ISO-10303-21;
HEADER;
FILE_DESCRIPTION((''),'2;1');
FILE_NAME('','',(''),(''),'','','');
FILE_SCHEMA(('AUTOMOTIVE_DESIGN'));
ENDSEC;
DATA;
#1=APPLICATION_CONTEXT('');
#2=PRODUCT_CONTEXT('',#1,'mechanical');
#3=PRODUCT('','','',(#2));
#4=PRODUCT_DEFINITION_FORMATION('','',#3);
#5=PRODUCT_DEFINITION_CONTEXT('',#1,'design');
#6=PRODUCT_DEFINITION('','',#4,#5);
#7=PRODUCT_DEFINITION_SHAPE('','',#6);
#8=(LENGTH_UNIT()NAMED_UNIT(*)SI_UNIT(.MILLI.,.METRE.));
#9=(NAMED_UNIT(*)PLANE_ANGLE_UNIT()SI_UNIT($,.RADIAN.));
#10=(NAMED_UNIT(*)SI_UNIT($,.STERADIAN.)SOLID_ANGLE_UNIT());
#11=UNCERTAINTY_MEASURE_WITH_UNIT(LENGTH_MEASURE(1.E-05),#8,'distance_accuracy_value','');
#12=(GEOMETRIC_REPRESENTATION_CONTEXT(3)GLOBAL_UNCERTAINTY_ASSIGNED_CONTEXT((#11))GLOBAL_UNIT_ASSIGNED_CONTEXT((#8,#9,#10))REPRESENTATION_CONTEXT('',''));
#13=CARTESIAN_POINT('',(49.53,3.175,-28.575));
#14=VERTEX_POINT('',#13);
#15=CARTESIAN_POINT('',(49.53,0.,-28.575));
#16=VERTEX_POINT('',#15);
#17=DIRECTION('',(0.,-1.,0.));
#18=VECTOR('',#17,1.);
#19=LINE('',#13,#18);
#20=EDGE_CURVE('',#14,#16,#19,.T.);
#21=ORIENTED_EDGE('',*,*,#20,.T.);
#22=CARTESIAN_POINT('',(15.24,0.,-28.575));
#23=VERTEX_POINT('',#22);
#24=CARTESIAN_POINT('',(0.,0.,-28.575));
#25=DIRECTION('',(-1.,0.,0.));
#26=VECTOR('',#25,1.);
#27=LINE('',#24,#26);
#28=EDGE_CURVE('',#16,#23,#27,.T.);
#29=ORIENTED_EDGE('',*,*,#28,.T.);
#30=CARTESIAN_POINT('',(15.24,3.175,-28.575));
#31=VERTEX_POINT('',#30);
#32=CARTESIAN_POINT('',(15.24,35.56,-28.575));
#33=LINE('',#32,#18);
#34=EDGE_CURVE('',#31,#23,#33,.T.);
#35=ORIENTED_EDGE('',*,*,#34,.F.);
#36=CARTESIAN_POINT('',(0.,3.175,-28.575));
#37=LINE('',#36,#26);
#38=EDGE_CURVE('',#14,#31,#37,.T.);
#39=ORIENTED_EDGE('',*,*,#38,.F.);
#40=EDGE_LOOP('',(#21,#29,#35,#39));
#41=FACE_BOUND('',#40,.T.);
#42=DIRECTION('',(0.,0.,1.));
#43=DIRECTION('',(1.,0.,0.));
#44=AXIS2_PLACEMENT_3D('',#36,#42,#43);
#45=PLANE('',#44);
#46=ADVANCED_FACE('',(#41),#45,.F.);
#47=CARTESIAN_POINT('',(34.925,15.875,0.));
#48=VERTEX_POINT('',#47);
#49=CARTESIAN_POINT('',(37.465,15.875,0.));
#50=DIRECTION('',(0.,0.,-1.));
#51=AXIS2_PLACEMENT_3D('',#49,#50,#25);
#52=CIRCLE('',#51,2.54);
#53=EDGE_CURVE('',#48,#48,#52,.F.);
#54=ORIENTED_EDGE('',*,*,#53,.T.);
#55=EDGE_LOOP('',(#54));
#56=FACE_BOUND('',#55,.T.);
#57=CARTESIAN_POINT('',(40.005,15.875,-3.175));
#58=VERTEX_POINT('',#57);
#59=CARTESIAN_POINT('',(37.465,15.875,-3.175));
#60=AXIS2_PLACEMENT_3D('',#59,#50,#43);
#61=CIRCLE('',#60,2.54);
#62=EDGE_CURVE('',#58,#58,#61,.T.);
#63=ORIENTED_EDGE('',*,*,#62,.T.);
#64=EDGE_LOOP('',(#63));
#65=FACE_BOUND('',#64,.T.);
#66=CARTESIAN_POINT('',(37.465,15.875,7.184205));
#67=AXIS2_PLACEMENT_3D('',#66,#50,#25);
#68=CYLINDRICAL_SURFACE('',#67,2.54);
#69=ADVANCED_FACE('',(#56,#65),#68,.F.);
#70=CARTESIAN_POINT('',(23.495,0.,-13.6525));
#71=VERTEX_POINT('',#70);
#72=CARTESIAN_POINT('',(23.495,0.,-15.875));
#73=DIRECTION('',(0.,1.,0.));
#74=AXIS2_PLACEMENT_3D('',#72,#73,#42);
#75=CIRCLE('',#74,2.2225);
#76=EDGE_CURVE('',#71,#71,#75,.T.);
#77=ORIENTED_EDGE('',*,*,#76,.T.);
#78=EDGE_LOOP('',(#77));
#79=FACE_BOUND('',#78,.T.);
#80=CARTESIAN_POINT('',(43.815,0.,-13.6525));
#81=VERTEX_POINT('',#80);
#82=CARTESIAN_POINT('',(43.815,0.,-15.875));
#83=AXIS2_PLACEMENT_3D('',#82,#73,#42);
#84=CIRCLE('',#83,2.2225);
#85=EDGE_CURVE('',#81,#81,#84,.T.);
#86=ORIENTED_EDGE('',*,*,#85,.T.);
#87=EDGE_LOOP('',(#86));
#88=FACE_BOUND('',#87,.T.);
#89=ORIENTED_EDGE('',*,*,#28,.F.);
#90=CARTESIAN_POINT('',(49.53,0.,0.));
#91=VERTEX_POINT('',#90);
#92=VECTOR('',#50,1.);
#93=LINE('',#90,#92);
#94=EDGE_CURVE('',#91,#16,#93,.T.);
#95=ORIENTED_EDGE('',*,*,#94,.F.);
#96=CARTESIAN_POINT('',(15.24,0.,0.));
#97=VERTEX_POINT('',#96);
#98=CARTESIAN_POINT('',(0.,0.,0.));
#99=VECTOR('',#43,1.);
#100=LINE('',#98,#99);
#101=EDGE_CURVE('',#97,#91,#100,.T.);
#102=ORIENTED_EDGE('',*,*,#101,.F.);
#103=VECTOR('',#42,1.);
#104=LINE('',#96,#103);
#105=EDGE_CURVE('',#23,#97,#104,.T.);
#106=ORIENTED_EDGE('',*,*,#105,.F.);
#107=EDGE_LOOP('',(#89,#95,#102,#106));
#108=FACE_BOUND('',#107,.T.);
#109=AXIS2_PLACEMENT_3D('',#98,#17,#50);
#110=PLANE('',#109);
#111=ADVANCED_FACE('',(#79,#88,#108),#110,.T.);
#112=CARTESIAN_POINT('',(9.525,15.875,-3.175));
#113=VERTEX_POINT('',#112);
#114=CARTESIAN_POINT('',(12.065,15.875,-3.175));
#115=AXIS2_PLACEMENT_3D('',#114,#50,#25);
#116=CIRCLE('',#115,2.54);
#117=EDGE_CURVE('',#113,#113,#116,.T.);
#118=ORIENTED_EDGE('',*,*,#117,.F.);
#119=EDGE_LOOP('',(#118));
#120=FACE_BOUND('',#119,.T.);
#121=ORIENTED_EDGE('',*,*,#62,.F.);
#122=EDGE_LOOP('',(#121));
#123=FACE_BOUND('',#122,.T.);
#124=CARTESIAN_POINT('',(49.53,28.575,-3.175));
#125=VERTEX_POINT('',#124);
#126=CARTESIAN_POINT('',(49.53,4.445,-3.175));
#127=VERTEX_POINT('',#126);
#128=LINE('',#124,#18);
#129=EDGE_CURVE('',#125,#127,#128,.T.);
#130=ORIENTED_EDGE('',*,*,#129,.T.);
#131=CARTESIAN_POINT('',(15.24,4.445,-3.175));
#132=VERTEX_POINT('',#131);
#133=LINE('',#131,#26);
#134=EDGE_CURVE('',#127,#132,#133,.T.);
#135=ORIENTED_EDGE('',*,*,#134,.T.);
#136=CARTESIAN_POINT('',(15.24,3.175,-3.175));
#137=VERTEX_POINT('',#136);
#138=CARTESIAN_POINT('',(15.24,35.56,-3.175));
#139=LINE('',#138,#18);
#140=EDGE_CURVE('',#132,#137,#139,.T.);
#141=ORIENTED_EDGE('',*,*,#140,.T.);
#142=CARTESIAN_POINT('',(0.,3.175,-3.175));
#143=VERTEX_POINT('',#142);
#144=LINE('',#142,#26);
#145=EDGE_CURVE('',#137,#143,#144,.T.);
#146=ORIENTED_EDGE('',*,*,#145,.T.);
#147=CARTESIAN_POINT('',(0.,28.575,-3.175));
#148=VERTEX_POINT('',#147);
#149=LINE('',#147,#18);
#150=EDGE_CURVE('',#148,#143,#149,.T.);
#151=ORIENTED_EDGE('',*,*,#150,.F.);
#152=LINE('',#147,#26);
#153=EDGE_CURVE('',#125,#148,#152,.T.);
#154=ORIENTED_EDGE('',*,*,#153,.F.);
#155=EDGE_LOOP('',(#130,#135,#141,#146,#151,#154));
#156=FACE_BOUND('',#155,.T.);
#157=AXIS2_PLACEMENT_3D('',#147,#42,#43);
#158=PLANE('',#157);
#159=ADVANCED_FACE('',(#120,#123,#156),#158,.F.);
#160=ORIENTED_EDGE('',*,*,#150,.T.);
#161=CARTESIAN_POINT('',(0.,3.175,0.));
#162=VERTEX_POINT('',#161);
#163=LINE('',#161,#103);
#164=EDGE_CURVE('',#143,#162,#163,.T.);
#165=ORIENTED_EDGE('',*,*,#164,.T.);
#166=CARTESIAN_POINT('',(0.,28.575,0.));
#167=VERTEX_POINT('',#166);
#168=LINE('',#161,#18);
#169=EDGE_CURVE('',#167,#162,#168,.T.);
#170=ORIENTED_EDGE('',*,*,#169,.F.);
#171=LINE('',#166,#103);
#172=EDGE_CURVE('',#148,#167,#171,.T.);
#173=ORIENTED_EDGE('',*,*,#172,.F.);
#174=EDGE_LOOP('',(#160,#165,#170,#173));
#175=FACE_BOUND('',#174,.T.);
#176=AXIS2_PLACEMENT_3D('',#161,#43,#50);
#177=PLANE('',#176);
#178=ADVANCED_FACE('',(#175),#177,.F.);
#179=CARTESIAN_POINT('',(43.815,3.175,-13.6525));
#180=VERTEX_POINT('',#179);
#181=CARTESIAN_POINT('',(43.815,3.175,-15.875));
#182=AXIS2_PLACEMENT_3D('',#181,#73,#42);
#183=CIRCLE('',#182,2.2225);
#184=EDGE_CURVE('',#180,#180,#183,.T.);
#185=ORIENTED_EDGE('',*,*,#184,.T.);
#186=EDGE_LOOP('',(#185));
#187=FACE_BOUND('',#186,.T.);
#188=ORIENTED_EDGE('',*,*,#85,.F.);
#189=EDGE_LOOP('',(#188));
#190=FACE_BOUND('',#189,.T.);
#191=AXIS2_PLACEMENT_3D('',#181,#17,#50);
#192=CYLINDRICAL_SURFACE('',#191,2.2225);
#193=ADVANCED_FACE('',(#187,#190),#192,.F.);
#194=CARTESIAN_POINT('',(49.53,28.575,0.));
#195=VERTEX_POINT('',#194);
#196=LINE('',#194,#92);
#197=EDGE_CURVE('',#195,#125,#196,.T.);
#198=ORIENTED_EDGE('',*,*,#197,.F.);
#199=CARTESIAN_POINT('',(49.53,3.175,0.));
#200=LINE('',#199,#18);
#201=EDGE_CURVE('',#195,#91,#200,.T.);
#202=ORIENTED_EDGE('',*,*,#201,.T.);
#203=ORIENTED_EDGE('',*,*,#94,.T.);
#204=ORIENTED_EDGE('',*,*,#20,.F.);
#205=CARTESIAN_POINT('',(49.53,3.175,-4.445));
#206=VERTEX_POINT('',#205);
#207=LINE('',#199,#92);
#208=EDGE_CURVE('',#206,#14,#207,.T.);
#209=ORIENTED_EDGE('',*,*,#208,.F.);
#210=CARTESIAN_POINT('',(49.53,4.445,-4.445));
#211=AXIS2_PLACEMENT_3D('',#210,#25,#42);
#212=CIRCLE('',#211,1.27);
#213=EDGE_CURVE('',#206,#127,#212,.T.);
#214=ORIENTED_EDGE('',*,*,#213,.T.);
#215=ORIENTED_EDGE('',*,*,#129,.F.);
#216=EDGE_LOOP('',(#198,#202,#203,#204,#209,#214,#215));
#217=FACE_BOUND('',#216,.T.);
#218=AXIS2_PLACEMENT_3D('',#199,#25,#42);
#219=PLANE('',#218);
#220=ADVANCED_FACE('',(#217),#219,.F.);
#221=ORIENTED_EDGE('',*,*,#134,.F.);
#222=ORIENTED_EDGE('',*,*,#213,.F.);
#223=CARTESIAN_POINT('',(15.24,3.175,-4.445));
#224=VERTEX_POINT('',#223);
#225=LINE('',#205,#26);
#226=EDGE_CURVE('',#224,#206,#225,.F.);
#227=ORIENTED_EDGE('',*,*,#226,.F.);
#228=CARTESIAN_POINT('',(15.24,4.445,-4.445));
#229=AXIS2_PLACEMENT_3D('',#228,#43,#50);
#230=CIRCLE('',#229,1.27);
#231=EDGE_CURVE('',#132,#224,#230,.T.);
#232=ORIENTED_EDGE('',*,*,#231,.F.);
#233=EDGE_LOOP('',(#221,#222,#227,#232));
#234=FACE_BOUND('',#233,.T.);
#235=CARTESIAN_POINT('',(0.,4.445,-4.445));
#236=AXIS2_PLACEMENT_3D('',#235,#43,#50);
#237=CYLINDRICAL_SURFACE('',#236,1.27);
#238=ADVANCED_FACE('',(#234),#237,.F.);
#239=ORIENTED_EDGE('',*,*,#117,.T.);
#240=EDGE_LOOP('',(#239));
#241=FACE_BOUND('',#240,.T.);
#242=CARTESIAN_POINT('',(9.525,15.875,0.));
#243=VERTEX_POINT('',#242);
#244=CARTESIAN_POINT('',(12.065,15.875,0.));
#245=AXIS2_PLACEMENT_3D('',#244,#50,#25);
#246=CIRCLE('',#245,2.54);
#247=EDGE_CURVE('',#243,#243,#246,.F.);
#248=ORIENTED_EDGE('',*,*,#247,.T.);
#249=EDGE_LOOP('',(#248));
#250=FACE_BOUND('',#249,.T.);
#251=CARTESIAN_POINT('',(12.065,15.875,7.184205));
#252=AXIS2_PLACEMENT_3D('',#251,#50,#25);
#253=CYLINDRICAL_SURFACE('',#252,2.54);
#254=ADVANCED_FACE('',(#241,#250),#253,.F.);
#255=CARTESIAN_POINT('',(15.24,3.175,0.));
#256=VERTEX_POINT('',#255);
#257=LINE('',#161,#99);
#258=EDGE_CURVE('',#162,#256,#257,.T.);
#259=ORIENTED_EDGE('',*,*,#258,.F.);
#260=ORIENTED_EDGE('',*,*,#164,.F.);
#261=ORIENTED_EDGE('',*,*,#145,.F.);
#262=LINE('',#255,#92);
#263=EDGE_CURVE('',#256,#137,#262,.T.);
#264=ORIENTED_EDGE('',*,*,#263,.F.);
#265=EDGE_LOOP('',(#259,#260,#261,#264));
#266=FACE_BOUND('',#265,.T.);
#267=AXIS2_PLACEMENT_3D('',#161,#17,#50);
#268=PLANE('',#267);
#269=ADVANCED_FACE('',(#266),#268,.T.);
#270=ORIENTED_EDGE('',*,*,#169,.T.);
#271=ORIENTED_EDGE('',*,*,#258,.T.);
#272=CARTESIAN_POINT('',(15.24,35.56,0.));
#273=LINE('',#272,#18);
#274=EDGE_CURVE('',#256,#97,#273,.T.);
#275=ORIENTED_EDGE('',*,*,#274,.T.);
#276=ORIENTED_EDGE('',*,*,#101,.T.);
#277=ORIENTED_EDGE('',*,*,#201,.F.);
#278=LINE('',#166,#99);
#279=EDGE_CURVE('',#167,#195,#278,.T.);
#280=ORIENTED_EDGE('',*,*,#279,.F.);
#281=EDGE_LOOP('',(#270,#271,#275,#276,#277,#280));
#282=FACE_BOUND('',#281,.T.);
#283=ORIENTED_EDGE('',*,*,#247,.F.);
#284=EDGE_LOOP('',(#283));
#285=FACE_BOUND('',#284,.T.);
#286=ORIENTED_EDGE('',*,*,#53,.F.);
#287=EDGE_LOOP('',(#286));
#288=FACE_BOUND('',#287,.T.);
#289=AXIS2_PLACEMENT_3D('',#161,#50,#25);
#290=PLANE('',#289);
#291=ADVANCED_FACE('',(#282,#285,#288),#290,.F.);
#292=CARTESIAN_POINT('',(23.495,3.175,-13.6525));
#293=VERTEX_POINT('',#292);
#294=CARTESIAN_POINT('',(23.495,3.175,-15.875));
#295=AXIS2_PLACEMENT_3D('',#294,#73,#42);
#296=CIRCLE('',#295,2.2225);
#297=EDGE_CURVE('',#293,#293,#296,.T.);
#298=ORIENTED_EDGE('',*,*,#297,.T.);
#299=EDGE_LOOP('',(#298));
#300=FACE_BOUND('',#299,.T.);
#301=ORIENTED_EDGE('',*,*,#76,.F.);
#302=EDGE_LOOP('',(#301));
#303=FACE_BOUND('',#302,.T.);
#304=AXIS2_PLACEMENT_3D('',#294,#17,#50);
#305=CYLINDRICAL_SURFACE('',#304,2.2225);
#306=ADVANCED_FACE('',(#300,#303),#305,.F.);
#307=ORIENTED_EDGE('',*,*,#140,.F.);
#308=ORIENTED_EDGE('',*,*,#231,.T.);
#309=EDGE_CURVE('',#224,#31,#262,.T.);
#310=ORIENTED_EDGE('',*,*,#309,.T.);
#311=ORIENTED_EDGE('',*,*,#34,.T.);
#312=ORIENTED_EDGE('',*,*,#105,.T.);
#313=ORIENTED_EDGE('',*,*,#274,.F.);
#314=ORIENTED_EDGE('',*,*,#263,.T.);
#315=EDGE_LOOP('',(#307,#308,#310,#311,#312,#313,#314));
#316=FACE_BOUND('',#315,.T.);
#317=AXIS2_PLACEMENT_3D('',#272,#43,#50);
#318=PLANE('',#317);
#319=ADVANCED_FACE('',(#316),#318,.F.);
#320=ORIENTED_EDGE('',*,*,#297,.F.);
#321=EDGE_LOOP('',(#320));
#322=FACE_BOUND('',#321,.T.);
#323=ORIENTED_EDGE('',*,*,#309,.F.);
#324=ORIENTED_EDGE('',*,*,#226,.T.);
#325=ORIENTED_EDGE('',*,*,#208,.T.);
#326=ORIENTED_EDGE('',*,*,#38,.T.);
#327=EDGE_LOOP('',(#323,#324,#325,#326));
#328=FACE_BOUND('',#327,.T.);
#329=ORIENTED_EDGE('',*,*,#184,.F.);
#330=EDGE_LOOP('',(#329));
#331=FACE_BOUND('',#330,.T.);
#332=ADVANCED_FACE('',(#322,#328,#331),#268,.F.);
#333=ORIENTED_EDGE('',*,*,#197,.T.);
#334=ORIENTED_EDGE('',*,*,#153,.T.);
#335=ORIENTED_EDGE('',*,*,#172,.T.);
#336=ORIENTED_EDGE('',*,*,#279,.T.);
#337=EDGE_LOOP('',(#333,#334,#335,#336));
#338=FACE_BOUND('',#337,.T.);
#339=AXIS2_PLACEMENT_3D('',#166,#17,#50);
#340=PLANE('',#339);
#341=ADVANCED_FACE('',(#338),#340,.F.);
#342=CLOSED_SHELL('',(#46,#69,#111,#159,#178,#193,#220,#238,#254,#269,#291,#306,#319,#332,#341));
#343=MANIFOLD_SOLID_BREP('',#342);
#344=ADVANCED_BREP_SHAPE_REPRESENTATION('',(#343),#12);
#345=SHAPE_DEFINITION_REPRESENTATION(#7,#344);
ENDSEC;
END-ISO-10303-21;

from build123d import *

# Parameters (mm, degrees)
SKETCH1_W           = 49.53
SKETCH1_H           = 28.575
SKETCH1_R           = 2.2225
BOSS_EXTRUDE1_DEPTH = 3.175
SKETCH2_W           = 49.53
SKETCH2_H           = 3.175
BOSS_EXTRUDE2_DEPTH = 25.4
SKETCH4_R           = 2.54
CUT_EXTRUDE1_DEPTH  = 3.175
SKETCH5_W           = 15.24
SKETCH5_H           = 28.575
CUT_EXTRUDE2_DEPTH  = 3.175
FILLET2_R           = 1.27


with BuildPart() as part:
    # Sketch1 → Boss-Extrude1 (new body)
    with BuildSketch(Plane(origin=(0, 0, 0), x_dir=(1, 0, 0), z_dir=(0, 1, 0))):
        with Locations((24.765, 14.2875)):
            Rectangle(SKETCH1_W, SKETCH1_H)
        with Locations(Location((23.495, 15.875, 0), (0, 0, 270))):
            Circle(SKETCH1_R, mode=Mode.SUBTRACT)
        with Locations(Location((43.815, 15.875, 0), (0, 0, 270))):
            Circle(SKETCH1_R, mode=Mode.SUBTRACT)
    extrude(amount=BOSS_EXTRUDE1_DEPTH)

    # Sketch2 → Boss-Extrude2 (add)
    with BuildSketch(Plane(origin=(0, 3.175, 0), x_dir=(1, 0, 0), z_dir=(0, 1, 0))):
        with Locations((24.765, 1.5875)):
            Rectangle(SKETCH2_W, SKETCH2_H)
    extrude(amount=BOSS_EXTRUDE2_DEPTH)

    # Sketch4 → Cut-Extrude1 (cut)
    with BuildSketch(Plane(origin=(0, 0, -3.175), x_dir=(-1, 0, 0), z_dir=(0, 0, -1))):
        with Locations((-12.065, 15.875)):
            Circle(SKETCH4_R)
        with Locations((-37.465, 15.875)):
            Circle(SKETCH4_R)
    extrude(amount=-CUT_EXTRUDE1_DEPTH, mode=Mode.SUBTRACT)

    # Sketch5 → Cut-Extrude2 (cut)
    with BuildSketch(Plane.XZ):
        with Locations((7.62, -14.2875)):
            Rectangle(SKETCH5_W, SKETCH5_H)
    extrude(amount=-CUT_EXTRUDE2_DEPTH, mode=Mode.SUBTRACT)

    # Fillet2
    fillet2_edges = [part.edges().sort_by_distance(p)[0] for p in [
        (32.385, 3.175, -3.175),
    ]]
    fillet(fillet2_edges, radius=FILLET2_R)


solid = part.part
